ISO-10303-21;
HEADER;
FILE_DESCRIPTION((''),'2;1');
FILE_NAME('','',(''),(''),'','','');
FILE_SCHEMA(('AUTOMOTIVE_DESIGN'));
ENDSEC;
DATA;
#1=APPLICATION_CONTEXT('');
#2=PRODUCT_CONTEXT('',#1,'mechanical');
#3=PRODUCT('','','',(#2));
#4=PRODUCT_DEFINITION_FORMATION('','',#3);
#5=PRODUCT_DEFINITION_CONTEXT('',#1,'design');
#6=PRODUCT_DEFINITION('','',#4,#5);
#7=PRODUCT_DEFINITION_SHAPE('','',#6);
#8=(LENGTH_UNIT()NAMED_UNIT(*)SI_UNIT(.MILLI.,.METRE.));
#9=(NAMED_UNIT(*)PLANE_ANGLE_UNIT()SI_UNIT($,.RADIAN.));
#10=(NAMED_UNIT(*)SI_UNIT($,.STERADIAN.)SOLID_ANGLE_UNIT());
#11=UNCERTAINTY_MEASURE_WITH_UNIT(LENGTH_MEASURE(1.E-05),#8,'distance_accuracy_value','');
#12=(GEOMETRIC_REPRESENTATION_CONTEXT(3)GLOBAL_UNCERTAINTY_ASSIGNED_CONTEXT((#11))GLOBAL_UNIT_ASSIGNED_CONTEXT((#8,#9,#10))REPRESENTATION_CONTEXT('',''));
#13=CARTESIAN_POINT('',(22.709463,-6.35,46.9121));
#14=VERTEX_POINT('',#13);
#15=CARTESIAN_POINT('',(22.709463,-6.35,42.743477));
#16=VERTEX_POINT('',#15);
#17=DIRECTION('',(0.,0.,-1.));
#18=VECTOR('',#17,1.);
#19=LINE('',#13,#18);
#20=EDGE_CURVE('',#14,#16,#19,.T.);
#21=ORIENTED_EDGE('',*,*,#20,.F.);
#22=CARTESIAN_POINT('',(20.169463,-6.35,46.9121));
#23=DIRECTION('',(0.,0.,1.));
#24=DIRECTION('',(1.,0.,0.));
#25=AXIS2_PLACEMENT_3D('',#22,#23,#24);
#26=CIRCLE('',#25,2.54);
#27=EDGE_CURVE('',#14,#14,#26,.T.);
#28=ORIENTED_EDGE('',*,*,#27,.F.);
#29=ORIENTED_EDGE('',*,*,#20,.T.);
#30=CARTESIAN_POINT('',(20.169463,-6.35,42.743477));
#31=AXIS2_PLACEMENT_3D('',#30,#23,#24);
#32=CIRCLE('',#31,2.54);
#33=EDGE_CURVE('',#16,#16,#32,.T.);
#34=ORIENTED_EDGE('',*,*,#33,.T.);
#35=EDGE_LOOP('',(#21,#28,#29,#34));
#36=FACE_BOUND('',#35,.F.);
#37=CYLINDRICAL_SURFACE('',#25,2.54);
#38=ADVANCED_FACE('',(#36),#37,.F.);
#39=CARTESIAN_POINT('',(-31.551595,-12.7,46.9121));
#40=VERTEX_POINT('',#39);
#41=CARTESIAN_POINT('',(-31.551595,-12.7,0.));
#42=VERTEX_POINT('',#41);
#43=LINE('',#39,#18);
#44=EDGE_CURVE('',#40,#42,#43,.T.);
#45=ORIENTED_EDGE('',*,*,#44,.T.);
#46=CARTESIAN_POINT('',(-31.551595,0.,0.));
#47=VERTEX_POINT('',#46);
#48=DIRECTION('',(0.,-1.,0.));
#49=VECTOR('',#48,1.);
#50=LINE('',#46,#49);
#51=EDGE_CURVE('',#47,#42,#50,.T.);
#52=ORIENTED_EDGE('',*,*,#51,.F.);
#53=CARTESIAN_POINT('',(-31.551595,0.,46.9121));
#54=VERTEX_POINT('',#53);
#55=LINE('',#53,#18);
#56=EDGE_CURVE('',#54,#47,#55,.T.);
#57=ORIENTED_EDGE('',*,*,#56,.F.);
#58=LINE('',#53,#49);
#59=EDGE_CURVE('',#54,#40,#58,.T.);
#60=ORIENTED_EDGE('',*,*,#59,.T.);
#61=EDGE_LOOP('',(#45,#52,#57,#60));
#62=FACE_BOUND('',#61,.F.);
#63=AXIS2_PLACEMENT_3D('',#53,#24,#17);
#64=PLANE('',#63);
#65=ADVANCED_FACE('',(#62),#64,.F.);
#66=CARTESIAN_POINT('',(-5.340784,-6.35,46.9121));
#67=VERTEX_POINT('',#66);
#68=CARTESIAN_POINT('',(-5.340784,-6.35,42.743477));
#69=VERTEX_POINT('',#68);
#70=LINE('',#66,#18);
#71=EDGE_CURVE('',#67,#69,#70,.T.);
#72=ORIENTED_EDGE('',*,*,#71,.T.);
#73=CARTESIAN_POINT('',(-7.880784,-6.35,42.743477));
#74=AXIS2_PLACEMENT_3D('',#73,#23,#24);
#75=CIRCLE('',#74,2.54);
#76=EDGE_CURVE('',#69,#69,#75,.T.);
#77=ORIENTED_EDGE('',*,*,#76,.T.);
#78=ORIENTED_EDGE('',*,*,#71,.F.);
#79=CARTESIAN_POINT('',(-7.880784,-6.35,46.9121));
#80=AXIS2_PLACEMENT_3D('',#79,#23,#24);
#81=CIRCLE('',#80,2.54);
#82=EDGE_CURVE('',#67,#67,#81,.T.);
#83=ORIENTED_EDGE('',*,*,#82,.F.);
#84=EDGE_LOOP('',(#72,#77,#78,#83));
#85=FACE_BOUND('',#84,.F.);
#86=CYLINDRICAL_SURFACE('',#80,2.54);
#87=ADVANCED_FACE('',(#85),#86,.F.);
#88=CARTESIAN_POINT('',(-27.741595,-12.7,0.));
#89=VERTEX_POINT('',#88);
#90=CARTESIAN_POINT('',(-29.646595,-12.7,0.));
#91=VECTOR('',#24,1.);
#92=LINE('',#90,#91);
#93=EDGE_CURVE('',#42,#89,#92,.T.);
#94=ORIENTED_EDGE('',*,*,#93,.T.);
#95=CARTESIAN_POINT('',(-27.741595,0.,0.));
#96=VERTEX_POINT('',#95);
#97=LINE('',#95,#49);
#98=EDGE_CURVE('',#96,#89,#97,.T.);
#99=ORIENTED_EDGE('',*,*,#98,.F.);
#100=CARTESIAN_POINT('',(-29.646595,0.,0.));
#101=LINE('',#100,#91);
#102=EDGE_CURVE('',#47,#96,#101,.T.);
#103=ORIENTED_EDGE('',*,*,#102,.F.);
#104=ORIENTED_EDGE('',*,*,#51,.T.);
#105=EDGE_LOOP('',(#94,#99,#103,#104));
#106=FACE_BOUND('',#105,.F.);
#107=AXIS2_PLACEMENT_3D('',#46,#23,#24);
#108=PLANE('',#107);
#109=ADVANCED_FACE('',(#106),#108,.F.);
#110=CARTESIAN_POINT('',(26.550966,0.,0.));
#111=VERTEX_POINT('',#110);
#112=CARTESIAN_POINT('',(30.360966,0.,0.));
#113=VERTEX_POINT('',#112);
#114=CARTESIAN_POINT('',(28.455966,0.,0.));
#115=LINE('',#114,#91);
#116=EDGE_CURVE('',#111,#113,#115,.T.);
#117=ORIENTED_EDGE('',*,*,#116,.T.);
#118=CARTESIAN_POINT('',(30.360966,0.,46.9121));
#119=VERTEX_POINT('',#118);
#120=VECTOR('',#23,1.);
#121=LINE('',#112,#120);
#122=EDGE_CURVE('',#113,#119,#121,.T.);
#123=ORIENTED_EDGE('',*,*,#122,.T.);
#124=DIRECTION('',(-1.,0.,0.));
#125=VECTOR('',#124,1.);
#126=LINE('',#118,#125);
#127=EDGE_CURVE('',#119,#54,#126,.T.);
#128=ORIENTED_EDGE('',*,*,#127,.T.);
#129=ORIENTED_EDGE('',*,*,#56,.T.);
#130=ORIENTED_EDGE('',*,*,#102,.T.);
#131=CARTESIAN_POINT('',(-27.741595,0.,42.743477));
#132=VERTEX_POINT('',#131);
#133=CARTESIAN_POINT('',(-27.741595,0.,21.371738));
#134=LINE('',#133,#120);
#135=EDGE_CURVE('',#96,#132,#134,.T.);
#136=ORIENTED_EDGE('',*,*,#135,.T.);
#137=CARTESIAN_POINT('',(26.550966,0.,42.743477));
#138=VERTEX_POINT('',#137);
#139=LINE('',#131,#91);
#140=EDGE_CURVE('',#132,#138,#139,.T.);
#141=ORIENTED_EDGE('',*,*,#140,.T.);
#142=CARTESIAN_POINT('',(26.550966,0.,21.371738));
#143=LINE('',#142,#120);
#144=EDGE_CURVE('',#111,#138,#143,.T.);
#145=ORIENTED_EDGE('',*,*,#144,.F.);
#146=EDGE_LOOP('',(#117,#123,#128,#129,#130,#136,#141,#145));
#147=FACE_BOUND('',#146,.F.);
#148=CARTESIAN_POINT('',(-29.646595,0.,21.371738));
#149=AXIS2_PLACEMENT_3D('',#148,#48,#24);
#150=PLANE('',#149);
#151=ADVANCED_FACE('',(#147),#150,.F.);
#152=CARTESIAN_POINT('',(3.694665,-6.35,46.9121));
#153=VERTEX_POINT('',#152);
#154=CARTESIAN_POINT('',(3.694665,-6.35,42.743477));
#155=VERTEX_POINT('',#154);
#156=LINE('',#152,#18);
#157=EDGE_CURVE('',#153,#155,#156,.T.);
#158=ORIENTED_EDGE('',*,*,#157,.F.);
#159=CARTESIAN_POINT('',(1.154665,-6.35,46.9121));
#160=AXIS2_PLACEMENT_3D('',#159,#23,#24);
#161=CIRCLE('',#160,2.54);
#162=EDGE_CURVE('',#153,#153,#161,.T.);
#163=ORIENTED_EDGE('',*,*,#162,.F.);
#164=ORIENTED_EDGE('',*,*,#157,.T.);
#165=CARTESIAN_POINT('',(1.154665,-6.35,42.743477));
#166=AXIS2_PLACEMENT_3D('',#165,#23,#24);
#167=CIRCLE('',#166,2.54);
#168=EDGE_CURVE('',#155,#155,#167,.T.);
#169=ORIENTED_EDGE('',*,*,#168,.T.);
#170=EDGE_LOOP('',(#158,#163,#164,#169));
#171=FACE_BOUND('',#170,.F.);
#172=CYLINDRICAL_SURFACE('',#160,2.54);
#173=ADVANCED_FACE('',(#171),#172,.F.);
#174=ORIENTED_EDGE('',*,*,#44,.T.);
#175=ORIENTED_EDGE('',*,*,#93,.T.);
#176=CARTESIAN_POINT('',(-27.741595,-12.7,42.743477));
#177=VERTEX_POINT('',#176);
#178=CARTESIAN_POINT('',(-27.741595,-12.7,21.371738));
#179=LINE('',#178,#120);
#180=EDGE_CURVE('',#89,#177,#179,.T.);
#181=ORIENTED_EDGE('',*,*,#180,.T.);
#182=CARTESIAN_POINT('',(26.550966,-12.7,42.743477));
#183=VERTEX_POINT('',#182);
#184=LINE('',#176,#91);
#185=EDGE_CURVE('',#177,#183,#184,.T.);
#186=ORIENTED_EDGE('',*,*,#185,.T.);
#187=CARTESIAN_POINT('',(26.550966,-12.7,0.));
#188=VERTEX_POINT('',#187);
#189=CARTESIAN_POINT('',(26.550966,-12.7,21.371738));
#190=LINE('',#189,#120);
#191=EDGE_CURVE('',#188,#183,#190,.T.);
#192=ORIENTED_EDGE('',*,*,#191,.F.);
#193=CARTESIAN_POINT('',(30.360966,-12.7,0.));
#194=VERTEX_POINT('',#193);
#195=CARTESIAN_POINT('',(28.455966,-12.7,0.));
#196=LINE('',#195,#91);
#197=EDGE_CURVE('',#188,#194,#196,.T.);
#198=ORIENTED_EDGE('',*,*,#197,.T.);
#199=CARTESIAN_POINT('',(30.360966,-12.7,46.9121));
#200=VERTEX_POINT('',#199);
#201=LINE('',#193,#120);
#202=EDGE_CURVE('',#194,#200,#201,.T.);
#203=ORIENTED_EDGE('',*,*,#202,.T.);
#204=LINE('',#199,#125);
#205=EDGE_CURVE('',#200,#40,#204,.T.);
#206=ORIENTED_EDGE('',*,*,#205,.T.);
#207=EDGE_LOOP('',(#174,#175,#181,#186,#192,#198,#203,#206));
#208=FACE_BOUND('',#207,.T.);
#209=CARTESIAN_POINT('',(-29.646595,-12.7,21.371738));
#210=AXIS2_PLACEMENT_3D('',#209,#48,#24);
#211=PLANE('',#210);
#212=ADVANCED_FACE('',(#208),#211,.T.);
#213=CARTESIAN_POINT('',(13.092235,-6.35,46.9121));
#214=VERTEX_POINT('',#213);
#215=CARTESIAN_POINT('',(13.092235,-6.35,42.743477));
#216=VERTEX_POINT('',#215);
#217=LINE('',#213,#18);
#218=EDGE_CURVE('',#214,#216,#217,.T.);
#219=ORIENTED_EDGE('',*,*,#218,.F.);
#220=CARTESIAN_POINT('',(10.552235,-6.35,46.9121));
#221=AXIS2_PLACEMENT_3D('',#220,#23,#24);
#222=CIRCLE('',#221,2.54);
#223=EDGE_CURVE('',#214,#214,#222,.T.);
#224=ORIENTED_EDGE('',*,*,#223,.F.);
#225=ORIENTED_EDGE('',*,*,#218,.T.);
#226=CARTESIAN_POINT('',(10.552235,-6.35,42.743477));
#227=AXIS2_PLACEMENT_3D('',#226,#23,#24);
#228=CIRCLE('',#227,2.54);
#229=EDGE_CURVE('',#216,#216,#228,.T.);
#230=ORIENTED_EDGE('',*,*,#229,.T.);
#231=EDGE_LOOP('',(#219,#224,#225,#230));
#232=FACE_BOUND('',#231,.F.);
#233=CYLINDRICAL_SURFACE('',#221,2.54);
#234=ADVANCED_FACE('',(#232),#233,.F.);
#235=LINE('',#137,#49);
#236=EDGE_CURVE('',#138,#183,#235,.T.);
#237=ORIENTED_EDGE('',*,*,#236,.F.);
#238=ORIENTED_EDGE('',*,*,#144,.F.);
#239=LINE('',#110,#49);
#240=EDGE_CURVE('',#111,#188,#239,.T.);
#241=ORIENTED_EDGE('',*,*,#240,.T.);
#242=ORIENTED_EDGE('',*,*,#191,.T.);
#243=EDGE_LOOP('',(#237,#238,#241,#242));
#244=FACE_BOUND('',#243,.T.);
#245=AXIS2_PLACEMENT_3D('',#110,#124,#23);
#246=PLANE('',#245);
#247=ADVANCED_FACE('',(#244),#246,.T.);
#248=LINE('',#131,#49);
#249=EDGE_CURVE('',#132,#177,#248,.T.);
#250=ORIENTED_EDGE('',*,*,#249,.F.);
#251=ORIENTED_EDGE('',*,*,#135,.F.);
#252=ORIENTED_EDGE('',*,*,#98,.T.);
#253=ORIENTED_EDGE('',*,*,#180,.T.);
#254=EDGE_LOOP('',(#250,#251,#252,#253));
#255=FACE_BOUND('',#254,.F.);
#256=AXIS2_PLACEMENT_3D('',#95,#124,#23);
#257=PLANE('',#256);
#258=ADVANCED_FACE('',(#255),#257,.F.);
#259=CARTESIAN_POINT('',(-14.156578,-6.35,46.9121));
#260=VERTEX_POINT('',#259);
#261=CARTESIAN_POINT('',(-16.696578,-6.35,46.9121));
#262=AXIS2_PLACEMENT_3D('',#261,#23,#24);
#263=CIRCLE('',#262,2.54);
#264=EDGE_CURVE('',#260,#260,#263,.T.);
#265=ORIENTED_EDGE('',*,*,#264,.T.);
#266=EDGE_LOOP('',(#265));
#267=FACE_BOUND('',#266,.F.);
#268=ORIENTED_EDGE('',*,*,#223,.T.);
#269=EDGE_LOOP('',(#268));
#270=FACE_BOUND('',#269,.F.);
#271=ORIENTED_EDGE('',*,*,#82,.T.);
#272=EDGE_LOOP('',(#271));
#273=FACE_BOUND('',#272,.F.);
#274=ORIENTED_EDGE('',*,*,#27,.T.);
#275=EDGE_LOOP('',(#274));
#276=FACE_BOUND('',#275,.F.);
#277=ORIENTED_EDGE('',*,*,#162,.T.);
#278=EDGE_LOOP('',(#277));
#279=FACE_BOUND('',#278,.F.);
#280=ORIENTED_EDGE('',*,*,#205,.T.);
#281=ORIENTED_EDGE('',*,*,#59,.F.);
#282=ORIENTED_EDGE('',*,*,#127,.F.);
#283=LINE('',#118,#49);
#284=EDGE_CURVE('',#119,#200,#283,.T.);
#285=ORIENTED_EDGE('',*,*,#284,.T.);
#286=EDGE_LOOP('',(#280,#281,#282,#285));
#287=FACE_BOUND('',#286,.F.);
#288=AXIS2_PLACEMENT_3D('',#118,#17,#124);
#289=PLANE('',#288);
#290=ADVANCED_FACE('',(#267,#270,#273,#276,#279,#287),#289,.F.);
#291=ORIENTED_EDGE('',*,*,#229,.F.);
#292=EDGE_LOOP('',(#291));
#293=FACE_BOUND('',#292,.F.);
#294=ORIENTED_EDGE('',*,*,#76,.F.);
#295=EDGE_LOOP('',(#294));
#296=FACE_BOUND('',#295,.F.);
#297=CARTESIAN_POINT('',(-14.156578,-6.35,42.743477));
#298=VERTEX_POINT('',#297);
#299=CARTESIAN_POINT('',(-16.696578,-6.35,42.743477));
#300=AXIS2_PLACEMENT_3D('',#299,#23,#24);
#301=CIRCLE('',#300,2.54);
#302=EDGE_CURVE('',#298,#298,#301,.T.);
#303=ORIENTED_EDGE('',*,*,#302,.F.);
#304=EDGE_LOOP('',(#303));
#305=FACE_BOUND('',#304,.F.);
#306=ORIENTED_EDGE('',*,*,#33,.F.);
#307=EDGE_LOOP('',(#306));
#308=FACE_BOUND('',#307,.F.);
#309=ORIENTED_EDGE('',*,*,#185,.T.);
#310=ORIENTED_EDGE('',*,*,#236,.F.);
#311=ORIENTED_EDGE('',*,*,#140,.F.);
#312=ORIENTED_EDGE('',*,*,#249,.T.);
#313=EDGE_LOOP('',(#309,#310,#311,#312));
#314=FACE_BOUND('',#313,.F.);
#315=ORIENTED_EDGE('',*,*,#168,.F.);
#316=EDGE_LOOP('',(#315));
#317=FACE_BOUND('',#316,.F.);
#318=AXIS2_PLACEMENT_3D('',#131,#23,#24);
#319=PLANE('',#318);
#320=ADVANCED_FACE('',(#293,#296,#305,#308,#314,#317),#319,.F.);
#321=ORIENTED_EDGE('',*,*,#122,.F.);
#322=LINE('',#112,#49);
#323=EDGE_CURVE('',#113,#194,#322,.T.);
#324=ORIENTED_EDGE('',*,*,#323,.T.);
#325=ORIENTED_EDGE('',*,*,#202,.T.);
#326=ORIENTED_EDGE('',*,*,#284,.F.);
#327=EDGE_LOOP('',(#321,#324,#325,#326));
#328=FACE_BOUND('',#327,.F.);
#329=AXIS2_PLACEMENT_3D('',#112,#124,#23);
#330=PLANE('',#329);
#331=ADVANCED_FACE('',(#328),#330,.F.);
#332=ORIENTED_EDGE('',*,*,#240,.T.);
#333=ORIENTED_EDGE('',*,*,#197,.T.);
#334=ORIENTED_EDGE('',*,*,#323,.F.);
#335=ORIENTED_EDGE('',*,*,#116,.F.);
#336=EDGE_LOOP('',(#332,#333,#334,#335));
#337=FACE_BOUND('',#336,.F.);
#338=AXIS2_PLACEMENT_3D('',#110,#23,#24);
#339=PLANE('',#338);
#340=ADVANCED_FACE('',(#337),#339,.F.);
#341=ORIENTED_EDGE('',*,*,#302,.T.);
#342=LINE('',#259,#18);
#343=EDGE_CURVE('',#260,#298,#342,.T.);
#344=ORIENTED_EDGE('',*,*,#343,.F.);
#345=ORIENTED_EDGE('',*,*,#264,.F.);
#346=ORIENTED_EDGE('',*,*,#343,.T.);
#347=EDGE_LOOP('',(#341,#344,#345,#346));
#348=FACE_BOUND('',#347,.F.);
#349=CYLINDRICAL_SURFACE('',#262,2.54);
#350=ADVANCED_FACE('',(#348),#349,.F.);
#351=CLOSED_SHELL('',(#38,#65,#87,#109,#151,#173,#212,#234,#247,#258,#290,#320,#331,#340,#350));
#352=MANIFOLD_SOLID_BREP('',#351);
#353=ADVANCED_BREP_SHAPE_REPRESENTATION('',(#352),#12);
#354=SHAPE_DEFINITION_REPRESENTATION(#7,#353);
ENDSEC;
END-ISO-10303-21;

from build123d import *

# Parameters (mm, degrees)
F0_W     = 3.81
F0_H     = 42.7434768285
F1_DEPTH = 12.7
F2_R     = 2.54
F3_DEPTH = 25.4


with BuildPart() as f1:
    # F0 (on Front) → F1 (new body)
    with BuildSketch(Plane.XZ):
        with Locations((-29.6465945647, 21.3717384142)):
            Rectangle(F0_W, F0_H)
        with Locations((28.4559660365, 21.3717384142)):
            Rectangle(F0_W, F0_H)
        Polygon((-31.5515945647, 42.7434768285), (-27.7415945647, 42.7434768285), (26.5509660365, 42.7434768285), (30.3609660365, 42.7434768285), (30.3609660365, 46.9121001661), (-31.5515945647, 46.9121001661), align=None)
    extrude(amount=F1_DEPTH)

    # F2 (on face) → F3 (cut)
    with BuildSketch(Plane.XY.offset(46.9121001661)):
        with Locations((-16.6965778917, -6.35)):
            Circle(F2_R)
        with Locations((-7.8807836398, -6.35)):
            Circle(F2_R)
        with Locations((1.1546649039, -6.35)):
            Circle(F2_R)
        with Locations((10.5522349477, -6.35)):
            Circle(F2_R)
        with Locations((20.1694630086, -6.35)):
            Circle(F2_R)
    extrude(amount=-F3_DEPTH, mode=Mode.SUBTRACT)


solid = f1.part
